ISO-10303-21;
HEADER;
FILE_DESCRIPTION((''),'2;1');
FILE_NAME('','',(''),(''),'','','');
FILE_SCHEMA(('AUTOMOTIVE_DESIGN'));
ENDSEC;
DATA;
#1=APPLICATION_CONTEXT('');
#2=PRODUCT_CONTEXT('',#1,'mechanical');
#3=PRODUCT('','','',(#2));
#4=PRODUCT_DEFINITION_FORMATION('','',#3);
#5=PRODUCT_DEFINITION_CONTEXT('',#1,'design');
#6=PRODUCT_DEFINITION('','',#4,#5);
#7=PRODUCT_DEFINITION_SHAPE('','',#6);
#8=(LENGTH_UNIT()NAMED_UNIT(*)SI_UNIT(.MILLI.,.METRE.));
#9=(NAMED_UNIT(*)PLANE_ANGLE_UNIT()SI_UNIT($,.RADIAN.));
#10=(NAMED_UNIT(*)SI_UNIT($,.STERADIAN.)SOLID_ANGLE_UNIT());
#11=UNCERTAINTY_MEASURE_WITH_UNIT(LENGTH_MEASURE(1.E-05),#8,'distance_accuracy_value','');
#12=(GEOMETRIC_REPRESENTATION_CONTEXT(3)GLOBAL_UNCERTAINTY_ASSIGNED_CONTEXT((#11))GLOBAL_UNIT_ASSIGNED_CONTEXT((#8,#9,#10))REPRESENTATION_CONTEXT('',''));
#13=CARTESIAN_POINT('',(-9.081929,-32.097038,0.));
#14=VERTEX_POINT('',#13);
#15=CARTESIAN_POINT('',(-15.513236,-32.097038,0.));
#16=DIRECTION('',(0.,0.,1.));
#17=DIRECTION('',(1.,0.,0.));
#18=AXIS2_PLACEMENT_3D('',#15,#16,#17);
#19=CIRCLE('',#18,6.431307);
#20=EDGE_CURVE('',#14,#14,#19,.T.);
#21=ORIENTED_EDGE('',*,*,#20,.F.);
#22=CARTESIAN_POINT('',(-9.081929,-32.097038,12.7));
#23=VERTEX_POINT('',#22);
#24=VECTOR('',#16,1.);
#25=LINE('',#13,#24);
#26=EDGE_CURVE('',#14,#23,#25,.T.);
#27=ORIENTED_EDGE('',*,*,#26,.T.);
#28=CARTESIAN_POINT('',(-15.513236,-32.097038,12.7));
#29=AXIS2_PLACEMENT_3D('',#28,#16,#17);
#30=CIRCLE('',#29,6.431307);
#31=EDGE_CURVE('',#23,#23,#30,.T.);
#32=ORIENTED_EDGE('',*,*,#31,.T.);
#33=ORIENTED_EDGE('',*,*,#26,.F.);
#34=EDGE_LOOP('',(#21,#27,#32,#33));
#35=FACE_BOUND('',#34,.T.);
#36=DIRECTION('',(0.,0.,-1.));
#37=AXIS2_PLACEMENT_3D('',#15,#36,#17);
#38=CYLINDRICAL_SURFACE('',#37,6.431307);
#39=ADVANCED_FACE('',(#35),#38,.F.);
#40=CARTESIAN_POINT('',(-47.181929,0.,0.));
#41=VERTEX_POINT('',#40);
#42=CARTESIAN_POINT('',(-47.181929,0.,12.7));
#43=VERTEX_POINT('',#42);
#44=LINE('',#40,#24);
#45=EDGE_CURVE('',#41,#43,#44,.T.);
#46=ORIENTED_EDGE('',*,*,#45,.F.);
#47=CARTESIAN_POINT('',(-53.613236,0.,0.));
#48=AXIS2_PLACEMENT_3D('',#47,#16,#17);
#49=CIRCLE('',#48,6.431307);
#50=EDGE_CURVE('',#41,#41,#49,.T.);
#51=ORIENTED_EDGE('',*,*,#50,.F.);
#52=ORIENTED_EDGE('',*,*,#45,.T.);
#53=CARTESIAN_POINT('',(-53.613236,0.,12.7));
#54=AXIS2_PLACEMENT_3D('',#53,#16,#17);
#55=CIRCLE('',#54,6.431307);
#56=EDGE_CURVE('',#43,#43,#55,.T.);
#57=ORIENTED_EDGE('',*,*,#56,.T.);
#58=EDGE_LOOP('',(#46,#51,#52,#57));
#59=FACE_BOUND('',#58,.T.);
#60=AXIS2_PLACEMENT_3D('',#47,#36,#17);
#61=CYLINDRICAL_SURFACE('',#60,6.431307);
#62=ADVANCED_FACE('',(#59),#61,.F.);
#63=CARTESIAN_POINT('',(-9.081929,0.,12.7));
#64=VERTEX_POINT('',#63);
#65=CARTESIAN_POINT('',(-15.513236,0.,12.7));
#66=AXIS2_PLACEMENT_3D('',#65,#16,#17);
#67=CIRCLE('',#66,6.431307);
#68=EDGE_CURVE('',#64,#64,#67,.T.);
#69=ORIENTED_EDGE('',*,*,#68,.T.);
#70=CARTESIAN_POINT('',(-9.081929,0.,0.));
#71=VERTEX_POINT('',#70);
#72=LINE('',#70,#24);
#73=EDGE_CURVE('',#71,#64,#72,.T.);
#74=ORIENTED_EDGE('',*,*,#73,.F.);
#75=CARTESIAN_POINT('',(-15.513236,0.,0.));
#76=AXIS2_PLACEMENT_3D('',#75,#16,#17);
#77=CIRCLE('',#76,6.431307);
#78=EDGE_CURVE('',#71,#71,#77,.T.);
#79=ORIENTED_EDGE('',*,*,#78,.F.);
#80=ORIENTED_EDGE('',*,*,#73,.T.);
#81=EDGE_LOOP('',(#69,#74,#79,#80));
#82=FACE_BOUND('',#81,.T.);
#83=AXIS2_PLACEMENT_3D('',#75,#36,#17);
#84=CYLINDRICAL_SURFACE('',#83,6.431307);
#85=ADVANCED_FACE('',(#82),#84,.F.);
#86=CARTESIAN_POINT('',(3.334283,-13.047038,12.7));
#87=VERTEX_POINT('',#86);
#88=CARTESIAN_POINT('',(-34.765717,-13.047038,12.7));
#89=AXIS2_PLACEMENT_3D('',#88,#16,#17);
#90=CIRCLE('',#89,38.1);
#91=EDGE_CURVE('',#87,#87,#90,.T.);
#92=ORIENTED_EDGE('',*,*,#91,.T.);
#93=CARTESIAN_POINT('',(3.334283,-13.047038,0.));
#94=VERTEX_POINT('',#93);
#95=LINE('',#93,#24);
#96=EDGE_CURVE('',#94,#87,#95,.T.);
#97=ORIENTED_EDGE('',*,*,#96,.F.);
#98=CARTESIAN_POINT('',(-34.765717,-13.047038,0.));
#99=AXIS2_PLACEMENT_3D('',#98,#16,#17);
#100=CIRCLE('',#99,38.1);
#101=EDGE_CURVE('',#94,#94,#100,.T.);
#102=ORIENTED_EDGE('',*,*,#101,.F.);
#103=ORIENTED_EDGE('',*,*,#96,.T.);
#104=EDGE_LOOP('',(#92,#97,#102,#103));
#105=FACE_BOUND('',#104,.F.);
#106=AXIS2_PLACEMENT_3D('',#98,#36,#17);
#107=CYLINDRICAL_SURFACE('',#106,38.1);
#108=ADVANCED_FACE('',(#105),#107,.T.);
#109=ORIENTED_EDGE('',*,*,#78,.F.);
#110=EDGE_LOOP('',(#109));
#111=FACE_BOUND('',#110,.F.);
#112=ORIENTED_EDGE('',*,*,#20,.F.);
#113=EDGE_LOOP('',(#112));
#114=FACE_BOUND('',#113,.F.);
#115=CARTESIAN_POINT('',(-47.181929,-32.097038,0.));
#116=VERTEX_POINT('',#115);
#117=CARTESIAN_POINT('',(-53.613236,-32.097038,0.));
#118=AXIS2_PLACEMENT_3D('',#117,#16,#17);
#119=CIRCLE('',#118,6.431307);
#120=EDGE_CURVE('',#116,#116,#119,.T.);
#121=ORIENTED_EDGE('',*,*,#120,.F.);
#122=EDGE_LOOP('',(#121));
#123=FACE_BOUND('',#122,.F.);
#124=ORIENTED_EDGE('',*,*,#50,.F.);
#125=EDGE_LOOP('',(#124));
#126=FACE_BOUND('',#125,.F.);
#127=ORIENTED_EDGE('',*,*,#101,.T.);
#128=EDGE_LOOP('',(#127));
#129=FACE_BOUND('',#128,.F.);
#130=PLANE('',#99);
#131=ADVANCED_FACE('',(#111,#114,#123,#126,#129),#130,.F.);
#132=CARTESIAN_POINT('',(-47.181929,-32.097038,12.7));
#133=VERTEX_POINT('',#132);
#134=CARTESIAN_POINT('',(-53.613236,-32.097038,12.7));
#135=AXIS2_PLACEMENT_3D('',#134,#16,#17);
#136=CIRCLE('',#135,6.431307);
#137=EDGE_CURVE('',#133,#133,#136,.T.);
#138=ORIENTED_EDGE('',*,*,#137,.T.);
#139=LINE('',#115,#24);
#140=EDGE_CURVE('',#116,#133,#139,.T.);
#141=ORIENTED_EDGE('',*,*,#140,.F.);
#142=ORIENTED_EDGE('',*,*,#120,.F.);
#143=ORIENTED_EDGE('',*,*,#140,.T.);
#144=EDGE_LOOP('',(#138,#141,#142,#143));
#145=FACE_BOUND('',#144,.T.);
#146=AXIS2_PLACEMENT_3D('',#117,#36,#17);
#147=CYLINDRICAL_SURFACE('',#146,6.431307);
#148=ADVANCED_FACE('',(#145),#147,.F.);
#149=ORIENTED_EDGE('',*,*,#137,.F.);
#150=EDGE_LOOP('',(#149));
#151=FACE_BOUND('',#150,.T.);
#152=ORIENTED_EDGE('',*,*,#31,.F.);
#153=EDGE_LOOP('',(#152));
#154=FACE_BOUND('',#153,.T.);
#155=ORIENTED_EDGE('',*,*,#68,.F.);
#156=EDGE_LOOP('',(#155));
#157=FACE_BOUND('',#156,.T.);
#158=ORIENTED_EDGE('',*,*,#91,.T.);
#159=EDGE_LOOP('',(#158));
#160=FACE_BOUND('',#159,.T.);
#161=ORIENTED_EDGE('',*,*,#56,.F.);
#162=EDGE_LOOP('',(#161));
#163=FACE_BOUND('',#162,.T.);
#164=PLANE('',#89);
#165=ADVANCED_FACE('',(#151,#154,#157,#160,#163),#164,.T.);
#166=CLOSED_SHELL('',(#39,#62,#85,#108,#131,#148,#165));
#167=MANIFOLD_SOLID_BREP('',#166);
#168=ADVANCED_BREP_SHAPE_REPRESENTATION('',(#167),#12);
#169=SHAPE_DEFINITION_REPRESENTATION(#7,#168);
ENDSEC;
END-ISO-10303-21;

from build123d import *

# Parameters (mm, degrees)
F0_R     = 38.1
F0_R_2   = 6.431307
F1_DEPTH = 12.7


with BuildPart() as f1:
    # F0 (on Top) → F1 (new body)
    with BuildSketch(Plane.XY):
        with Locations((-34.765717, -13.047038)):
            Circle(F0_R)
        with Locations((-53.613236, -32.097038)):
            Circle(F0_R_2, mode=Mode.SUBTRACT)
        with Locations((-15.513236, -32.097038)):
            Circle(F0_R_2, mode=Mode.SUBTRACT)
        with Locations((-53.613236, 0)):
            Circle(F0_R_2, mode=Mode.SUBTRACT)
        with Locations((-15.513236, 0)):
            Circle(F0_R_2, mode=Mode.SUBTRACT)
    extrude(amount=F1_DEPTH)


solid = f1.part
